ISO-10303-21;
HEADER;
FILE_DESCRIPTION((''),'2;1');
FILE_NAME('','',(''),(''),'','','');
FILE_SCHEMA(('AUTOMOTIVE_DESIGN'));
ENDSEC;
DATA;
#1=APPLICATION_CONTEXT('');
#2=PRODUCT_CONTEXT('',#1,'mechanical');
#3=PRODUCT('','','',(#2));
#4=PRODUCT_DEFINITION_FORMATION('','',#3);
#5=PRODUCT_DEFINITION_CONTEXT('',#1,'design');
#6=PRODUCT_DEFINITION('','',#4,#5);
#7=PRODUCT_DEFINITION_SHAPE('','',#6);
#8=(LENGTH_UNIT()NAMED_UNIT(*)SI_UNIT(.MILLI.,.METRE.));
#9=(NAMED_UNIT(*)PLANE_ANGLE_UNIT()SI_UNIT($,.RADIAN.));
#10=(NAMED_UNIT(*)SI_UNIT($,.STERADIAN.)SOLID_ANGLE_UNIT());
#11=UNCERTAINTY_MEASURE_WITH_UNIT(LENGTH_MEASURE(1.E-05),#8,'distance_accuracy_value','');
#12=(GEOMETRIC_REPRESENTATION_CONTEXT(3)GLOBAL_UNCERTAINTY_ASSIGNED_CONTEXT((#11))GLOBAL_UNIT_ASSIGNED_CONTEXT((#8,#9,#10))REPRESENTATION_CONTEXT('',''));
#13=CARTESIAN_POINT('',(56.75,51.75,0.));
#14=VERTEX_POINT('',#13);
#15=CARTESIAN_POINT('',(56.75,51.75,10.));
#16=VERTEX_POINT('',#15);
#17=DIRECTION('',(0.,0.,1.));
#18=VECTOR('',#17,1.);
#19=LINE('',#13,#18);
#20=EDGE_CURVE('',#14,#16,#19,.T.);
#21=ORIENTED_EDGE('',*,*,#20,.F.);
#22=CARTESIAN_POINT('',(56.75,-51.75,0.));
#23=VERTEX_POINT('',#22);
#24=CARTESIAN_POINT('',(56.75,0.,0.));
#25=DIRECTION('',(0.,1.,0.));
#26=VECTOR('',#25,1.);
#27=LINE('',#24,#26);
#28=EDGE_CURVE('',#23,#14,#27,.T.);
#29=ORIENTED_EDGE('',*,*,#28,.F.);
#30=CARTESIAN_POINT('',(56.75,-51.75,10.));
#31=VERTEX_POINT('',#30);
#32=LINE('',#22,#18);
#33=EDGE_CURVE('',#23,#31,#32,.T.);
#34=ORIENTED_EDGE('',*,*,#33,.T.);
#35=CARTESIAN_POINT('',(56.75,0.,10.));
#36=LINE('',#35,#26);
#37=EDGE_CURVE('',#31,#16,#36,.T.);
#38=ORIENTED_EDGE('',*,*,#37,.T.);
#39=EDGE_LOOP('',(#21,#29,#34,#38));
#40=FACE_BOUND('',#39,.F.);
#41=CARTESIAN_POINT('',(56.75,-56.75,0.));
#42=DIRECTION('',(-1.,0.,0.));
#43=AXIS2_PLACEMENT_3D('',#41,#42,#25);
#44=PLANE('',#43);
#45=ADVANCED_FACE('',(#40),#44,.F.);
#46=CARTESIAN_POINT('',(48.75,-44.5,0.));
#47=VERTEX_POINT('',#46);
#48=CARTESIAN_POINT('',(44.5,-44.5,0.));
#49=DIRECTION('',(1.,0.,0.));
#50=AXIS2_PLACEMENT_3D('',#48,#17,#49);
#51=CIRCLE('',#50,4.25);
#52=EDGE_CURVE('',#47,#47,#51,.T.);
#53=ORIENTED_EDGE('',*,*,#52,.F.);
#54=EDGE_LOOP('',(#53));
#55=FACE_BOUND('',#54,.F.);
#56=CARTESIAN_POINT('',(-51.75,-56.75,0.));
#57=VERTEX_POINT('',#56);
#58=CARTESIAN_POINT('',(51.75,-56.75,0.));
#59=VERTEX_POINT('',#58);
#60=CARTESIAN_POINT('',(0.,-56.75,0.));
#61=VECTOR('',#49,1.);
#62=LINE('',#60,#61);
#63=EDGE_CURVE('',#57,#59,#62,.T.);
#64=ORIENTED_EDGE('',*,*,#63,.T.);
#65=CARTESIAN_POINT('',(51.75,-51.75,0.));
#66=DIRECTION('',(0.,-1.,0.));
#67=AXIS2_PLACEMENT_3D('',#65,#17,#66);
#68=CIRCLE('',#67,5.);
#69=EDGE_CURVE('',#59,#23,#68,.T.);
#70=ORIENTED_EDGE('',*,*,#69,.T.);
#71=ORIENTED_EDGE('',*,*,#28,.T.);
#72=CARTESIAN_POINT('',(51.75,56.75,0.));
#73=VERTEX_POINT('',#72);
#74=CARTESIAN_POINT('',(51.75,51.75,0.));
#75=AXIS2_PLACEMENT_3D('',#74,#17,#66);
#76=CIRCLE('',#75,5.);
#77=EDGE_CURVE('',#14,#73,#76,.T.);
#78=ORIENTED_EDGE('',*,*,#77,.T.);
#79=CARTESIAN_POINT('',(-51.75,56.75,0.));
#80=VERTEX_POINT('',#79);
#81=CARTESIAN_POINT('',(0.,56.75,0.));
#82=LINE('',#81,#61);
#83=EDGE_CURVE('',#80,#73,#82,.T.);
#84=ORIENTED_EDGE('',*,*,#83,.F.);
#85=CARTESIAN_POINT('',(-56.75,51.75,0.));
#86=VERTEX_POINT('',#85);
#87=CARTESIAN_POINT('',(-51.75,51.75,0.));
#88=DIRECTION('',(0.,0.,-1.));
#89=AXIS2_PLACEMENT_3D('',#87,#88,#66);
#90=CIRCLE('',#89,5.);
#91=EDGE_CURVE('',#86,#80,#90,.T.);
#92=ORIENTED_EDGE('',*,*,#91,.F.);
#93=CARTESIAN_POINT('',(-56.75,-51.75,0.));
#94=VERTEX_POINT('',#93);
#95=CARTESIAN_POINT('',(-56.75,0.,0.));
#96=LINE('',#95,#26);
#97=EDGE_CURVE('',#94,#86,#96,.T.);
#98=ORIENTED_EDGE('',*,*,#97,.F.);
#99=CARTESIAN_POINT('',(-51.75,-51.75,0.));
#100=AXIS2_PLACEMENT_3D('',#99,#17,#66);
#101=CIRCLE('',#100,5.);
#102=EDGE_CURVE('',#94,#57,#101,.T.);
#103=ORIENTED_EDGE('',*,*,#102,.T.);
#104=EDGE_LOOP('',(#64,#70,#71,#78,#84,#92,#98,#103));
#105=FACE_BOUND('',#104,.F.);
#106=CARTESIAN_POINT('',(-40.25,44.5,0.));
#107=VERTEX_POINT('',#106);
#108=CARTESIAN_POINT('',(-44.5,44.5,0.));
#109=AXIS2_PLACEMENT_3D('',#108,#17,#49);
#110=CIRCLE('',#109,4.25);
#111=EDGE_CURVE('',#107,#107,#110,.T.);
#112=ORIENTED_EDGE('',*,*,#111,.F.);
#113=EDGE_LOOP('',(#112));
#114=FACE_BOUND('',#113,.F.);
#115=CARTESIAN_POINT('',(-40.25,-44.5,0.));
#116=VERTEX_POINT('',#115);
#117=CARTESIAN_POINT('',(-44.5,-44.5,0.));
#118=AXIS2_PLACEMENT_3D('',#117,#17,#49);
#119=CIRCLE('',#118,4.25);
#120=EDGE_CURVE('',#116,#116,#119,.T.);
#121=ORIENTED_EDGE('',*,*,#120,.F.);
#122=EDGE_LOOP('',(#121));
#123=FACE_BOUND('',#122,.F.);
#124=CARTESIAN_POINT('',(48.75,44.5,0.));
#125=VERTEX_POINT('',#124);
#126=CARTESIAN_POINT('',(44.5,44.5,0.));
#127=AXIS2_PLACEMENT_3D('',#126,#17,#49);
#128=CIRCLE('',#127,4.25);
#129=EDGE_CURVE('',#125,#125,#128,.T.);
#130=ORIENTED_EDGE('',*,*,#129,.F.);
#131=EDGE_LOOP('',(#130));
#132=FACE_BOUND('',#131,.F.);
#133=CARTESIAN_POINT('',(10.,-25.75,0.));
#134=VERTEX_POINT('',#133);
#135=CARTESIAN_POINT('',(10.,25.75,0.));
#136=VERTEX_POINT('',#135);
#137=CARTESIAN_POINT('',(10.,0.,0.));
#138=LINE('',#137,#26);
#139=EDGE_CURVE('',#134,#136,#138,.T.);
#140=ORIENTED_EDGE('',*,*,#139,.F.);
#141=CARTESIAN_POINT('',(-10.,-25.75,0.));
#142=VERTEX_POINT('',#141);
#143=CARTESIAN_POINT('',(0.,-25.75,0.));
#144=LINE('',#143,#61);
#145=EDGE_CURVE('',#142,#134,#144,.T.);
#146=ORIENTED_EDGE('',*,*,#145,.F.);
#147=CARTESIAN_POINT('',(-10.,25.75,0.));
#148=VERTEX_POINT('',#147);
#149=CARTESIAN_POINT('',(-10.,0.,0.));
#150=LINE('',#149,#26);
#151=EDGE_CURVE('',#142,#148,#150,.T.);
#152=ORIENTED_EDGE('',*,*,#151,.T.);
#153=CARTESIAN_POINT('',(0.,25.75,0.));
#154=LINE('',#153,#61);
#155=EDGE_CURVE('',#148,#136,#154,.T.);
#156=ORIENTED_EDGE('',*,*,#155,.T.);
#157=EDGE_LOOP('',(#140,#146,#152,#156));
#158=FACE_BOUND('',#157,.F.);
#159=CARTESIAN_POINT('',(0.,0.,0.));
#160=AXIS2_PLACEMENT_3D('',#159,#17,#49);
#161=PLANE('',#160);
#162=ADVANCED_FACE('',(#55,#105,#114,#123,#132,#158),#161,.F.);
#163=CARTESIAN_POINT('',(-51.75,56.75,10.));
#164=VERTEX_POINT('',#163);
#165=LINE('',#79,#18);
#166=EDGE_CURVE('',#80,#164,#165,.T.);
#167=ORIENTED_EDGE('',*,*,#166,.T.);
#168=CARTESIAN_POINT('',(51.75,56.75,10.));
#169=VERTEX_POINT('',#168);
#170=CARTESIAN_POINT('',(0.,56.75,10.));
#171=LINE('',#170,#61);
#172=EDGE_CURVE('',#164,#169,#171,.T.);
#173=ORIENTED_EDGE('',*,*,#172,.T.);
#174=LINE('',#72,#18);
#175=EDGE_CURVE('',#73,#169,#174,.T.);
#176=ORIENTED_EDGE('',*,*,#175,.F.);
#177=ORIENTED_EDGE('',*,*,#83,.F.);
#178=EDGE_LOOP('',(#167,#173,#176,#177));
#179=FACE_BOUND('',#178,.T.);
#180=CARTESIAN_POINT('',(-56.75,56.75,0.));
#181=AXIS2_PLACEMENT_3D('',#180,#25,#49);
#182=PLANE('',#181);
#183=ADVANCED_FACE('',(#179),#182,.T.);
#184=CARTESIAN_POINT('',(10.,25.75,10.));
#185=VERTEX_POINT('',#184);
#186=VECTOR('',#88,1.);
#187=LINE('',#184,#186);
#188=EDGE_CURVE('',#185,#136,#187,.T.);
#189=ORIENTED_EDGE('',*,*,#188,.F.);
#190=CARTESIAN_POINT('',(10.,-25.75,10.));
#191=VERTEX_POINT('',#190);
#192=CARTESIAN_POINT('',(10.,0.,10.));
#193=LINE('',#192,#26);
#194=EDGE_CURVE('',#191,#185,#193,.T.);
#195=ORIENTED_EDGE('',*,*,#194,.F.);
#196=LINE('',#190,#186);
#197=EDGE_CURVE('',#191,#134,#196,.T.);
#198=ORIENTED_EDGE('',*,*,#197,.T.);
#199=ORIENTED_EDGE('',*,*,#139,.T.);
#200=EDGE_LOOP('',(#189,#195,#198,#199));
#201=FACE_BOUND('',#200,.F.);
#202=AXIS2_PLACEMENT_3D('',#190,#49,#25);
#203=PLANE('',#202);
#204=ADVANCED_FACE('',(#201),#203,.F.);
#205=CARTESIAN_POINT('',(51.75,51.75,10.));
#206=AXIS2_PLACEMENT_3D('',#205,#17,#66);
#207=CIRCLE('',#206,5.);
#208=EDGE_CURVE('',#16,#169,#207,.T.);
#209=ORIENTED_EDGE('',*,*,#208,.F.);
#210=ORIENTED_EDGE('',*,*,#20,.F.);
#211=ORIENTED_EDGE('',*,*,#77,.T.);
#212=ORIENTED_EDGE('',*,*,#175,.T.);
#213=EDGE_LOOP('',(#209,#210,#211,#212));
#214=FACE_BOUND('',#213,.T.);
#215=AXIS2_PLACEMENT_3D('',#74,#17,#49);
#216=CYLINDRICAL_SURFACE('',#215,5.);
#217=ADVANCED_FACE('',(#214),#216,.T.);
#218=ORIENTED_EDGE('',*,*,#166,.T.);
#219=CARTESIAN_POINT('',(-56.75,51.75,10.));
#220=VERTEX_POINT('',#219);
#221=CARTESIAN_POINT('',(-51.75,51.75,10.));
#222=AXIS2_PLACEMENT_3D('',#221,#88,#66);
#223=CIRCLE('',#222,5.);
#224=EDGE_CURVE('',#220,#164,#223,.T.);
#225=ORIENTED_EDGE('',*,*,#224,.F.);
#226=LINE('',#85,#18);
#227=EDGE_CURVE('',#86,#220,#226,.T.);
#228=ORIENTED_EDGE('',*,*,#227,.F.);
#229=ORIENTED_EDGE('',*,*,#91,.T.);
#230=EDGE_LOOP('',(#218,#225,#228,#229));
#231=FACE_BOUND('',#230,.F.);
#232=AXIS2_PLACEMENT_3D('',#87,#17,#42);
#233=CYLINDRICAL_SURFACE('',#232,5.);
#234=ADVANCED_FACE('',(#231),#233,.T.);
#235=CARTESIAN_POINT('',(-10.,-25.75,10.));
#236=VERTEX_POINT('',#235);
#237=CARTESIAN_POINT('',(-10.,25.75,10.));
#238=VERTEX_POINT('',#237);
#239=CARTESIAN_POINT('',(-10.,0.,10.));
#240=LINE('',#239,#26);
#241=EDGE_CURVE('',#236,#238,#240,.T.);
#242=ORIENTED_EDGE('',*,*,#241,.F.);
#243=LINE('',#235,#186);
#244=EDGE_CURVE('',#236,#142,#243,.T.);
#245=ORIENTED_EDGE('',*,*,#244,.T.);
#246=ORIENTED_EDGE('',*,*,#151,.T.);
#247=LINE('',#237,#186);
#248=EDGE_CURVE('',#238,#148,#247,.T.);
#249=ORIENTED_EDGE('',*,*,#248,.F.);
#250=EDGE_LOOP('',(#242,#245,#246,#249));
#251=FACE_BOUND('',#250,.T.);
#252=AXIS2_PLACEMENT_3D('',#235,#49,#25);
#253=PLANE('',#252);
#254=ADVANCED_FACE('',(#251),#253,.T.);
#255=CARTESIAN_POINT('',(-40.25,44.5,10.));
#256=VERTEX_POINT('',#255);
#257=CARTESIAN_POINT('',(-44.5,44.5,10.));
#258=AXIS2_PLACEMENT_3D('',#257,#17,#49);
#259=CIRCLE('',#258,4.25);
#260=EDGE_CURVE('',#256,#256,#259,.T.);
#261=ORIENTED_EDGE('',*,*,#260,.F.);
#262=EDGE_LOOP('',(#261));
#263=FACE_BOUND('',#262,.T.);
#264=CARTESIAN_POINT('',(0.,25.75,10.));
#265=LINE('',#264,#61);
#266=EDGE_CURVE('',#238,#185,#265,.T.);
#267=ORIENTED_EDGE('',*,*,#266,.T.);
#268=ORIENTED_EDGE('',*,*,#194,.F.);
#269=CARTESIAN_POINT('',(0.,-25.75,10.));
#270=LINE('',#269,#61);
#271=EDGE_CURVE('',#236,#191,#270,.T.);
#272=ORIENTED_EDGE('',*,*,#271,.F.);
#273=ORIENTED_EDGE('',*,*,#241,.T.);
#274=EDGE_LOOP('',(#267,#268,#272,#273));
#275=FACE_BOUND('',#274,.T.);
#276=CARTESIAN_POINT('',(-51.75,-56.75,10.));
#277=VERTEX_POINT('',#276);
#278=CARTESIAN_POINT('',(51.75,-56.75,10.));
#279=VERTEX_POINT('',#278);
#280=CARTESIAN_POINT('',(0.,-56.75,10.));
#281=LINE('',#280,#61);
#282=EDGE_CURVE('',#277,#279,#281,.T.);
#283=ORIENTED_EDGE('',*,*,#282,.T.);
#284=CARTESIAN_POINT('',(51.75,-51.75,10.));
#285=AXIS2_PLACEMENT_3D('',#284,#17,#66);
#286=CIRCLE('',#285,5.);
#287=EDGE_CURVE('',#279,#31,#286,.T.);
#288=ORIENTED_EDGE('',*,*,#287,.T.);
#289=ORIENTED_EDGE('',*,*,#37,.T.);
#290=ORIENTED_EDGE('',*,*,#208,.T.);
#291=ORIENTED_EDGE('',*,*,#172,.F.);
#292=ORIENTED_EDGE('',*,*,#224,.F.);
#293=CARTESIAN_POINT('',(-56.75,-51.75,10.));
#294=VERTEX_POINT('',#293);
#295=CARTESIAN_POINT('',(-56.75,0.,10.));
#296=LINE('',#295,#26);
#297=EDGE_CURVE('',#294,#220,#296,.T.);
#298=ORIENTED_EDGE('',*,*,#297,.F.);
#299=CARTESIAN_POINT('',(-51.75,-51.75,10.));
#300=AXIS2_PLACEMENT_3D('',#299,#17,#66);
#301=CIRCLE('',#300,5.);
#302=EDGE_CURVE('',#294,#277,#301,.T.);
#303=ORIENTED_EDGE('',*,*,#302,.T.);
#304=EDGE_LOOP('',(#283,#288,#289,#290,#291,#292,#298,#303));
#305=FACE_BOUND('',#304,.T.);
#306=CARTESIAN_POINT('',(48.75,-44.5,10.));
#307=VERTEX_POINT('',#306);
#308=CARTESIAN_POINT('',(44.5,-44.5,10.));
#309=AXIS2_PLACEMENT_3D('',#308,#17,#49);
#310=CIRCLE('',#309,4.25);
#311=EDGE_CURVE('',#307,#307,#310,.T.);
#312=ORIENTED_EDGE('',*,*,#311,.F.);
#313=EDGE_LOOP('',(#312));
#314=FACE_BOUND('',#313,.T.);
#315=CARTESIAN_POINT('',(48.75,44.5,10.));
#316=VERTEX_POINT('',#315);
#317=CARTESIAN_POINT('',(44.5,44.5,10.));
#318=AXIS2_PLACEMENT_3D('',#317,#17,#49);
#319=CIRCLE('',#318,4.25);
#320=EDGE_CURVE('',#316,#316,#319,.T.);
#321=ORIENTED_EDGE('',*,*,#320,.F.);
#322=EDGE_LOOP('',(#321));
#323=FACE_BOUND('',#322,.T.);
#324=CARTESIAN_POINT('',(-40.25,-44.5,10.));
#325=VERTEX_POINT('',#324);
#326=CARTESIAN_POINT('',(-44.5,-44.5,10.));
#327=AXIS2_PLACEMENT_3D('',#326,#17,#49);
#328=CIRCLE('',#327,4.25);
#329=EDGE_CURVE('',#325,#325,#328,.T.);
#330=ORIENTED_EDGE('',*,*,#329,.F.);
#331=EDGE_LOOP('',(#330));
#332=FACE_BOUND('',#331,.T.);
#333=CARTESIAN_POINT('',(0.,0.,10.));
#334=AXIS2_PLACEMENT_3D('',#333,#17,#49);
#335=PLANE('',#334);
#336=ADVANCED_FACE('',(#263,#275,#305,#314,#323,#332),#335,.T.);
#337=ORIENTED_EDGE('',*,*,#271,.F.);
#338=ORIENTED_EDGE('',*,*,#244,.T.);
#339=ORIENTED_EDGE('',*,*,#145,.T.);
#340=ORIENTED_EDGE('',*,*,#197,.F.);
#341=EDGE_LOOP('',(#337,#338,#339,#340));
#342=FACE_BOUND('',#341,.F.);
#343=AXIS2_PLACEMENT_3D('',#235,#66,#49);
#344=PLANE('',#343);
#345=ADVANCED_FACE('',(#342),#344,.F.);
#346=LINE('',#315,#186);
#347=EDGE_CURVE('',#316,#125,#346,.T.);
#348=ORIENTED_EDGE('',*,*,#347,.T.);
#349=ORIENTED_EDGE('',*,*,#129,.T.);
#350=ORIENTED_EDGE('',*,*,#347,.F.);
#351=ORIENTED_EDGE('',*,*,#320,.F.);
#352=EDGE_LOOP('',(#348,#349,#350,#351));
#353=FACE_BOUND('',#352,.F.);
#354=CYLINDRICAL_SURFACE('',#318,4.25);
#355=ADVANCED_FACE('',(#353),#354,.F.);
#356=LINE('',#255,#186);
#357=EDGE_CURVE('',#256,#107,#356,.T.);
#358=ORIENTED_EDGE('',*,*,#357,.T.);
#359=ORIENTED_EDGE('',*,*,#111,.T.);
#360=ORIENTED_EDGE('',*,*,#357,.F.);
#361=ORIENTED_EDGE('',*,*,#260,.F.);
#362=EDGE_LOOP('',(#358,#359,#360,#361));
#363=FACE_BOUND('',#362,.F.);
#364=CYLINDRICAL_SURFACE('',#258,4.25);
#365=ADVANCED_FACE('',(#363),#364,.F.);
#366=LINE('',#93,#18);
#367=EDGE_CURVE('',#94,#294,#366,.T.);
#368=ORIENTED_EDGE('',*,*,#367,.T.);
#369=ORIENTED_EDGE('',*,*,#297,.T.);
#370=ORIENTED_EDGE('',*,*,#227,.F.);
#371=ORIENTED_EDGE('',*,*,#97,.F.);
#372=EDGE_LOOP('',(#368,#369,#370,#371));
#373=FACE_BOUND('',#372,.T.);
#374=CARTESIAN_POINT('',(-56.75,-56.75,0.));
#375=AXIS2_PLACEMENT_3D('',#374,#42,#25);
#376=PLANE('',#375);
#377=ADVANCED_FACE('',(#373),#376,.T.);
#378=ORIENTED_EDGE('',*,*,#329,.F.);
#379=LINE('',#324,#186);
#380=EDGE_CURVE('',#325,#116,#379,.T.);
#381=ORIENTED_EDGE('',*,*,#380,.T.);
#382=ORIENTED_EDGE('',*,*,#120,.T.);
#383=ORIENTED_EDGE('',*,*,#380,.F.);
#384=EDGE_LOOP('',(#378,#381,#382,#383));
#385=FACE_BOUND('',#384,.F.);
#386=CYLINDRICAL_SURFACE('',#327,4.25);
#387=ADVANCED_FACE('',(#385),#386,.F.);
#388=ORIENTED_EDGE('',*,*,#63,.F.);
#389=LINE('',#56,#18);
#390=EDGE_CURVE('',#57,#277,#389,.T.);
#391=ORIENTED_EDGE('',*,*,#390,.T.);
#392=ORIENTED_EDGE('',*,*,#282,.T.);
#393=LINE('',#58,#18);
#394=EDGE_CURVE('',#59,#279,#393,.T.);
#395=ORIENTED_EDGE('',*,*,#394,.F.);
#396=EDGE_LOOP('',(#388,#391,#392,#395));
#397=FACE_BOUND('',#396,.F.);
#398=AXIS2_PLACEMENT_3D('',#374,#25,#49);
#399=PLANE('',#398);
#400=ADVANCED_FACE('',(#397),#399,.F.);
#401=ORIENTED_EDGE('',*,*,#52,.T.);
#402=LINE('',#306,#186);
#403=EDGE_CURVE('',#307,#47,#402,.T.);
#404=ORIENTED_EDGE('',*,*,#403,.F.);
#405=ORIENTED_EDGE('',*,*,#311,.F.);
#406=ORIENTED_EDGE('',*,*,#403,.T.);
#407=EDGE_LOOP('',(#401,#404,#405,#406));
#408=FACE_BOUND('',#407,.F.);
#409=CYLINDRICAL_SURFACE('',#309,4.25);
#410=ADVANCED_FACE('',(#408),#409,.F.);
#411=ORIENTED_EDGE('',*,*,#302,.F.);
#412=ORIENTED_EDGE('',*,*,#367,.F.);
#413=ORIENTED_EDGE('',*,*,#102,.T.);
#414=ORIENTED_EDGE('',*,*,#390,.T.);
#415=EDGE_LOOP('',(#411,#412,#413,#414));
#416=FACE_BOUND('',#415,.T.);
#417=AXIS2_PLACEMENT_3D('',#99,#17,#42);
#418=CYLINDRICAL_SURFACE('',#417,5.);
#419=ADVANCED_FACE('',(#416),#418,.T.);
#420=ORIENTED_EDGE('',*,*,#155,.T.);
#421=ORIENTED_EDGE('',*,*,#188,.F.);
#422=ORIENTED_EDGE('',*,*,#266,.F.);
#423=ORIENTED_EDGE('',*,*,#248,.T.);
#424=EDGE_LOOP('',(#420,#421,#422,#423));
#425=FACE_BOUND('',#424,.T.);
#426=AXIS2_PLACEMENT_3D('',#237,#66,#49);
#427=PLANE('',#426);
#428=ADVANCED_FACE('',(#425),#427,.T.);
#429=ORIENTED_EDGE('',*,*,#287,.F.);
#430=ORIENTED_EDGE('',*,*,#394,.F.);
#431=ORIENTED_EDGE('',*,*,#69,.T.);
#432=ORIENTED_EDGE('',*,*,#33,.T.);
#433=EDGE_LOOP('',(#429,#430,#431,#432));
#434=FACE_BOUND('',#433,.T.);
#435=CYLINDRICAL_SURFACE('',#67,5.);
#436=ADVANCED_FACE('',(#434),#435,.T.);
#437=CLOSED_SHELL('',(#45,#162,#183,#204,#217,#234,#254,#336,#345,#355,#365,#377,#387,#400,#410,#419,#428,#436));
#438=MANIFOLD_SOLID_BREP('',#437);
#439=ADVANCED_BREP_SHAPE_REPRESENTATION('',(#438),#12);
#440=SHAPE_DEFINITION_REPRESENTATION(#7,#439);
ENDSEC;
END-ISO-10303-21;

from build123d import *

# Parameters (mm, degrees)
F0_W     = 113.5
F0_H     = 113.5
F1_DEPTH = 10
F2_R     = 5
F3_R     = 4.25
F4_DEPTH = 10
F5_W     = 20
F5_H     = 51.5
F6_DEPTH = 10


with BuildPart() as f1:
    # F0 (on Top) → F1 (new body)
    with BuildSketch(Plane.XY):
        Rectangle(F0_W, F0_H)
    extrude(amount=F1_DEPTH)

    # F2
    f2_edges = [f1.edges().sort_by_distance(p)[0] for p in [
        (-56.75, -56.75, 5),
        (-56.75, 56.75, 5),
        (56.75, 56.75, 5),
        (56.75, -56.75, 5),
    ]]
    fillet(f2_edges, radius=F2_R)

    # F3 (on face) → F4 (cut)
    with BuildSketch(Plane.XY.offset(10)):
        with Locations((-44.5, -44.5)):
            Circle(F3_R)
        with Locations((44.5, -44.5)):
            Circle(F3_R)
        with Locations((-44.5, 44.5)):
            Circle(F3_R)
        with Locations((44.5, 44.5)):
            Circle(F3_R)
    extrude(amount=-F4_DEPTH, mode=Mode.SUBTRACT)

    # F5 (on face) → F6 (cut)
    with BuildSketch(Plane.XY.offset(10)):
        Rectangle(F5_W, F5_H)
    extrude(amount=-F6_DEPTH, mode=Mode.SUBTRACT)


solid = f1.part
